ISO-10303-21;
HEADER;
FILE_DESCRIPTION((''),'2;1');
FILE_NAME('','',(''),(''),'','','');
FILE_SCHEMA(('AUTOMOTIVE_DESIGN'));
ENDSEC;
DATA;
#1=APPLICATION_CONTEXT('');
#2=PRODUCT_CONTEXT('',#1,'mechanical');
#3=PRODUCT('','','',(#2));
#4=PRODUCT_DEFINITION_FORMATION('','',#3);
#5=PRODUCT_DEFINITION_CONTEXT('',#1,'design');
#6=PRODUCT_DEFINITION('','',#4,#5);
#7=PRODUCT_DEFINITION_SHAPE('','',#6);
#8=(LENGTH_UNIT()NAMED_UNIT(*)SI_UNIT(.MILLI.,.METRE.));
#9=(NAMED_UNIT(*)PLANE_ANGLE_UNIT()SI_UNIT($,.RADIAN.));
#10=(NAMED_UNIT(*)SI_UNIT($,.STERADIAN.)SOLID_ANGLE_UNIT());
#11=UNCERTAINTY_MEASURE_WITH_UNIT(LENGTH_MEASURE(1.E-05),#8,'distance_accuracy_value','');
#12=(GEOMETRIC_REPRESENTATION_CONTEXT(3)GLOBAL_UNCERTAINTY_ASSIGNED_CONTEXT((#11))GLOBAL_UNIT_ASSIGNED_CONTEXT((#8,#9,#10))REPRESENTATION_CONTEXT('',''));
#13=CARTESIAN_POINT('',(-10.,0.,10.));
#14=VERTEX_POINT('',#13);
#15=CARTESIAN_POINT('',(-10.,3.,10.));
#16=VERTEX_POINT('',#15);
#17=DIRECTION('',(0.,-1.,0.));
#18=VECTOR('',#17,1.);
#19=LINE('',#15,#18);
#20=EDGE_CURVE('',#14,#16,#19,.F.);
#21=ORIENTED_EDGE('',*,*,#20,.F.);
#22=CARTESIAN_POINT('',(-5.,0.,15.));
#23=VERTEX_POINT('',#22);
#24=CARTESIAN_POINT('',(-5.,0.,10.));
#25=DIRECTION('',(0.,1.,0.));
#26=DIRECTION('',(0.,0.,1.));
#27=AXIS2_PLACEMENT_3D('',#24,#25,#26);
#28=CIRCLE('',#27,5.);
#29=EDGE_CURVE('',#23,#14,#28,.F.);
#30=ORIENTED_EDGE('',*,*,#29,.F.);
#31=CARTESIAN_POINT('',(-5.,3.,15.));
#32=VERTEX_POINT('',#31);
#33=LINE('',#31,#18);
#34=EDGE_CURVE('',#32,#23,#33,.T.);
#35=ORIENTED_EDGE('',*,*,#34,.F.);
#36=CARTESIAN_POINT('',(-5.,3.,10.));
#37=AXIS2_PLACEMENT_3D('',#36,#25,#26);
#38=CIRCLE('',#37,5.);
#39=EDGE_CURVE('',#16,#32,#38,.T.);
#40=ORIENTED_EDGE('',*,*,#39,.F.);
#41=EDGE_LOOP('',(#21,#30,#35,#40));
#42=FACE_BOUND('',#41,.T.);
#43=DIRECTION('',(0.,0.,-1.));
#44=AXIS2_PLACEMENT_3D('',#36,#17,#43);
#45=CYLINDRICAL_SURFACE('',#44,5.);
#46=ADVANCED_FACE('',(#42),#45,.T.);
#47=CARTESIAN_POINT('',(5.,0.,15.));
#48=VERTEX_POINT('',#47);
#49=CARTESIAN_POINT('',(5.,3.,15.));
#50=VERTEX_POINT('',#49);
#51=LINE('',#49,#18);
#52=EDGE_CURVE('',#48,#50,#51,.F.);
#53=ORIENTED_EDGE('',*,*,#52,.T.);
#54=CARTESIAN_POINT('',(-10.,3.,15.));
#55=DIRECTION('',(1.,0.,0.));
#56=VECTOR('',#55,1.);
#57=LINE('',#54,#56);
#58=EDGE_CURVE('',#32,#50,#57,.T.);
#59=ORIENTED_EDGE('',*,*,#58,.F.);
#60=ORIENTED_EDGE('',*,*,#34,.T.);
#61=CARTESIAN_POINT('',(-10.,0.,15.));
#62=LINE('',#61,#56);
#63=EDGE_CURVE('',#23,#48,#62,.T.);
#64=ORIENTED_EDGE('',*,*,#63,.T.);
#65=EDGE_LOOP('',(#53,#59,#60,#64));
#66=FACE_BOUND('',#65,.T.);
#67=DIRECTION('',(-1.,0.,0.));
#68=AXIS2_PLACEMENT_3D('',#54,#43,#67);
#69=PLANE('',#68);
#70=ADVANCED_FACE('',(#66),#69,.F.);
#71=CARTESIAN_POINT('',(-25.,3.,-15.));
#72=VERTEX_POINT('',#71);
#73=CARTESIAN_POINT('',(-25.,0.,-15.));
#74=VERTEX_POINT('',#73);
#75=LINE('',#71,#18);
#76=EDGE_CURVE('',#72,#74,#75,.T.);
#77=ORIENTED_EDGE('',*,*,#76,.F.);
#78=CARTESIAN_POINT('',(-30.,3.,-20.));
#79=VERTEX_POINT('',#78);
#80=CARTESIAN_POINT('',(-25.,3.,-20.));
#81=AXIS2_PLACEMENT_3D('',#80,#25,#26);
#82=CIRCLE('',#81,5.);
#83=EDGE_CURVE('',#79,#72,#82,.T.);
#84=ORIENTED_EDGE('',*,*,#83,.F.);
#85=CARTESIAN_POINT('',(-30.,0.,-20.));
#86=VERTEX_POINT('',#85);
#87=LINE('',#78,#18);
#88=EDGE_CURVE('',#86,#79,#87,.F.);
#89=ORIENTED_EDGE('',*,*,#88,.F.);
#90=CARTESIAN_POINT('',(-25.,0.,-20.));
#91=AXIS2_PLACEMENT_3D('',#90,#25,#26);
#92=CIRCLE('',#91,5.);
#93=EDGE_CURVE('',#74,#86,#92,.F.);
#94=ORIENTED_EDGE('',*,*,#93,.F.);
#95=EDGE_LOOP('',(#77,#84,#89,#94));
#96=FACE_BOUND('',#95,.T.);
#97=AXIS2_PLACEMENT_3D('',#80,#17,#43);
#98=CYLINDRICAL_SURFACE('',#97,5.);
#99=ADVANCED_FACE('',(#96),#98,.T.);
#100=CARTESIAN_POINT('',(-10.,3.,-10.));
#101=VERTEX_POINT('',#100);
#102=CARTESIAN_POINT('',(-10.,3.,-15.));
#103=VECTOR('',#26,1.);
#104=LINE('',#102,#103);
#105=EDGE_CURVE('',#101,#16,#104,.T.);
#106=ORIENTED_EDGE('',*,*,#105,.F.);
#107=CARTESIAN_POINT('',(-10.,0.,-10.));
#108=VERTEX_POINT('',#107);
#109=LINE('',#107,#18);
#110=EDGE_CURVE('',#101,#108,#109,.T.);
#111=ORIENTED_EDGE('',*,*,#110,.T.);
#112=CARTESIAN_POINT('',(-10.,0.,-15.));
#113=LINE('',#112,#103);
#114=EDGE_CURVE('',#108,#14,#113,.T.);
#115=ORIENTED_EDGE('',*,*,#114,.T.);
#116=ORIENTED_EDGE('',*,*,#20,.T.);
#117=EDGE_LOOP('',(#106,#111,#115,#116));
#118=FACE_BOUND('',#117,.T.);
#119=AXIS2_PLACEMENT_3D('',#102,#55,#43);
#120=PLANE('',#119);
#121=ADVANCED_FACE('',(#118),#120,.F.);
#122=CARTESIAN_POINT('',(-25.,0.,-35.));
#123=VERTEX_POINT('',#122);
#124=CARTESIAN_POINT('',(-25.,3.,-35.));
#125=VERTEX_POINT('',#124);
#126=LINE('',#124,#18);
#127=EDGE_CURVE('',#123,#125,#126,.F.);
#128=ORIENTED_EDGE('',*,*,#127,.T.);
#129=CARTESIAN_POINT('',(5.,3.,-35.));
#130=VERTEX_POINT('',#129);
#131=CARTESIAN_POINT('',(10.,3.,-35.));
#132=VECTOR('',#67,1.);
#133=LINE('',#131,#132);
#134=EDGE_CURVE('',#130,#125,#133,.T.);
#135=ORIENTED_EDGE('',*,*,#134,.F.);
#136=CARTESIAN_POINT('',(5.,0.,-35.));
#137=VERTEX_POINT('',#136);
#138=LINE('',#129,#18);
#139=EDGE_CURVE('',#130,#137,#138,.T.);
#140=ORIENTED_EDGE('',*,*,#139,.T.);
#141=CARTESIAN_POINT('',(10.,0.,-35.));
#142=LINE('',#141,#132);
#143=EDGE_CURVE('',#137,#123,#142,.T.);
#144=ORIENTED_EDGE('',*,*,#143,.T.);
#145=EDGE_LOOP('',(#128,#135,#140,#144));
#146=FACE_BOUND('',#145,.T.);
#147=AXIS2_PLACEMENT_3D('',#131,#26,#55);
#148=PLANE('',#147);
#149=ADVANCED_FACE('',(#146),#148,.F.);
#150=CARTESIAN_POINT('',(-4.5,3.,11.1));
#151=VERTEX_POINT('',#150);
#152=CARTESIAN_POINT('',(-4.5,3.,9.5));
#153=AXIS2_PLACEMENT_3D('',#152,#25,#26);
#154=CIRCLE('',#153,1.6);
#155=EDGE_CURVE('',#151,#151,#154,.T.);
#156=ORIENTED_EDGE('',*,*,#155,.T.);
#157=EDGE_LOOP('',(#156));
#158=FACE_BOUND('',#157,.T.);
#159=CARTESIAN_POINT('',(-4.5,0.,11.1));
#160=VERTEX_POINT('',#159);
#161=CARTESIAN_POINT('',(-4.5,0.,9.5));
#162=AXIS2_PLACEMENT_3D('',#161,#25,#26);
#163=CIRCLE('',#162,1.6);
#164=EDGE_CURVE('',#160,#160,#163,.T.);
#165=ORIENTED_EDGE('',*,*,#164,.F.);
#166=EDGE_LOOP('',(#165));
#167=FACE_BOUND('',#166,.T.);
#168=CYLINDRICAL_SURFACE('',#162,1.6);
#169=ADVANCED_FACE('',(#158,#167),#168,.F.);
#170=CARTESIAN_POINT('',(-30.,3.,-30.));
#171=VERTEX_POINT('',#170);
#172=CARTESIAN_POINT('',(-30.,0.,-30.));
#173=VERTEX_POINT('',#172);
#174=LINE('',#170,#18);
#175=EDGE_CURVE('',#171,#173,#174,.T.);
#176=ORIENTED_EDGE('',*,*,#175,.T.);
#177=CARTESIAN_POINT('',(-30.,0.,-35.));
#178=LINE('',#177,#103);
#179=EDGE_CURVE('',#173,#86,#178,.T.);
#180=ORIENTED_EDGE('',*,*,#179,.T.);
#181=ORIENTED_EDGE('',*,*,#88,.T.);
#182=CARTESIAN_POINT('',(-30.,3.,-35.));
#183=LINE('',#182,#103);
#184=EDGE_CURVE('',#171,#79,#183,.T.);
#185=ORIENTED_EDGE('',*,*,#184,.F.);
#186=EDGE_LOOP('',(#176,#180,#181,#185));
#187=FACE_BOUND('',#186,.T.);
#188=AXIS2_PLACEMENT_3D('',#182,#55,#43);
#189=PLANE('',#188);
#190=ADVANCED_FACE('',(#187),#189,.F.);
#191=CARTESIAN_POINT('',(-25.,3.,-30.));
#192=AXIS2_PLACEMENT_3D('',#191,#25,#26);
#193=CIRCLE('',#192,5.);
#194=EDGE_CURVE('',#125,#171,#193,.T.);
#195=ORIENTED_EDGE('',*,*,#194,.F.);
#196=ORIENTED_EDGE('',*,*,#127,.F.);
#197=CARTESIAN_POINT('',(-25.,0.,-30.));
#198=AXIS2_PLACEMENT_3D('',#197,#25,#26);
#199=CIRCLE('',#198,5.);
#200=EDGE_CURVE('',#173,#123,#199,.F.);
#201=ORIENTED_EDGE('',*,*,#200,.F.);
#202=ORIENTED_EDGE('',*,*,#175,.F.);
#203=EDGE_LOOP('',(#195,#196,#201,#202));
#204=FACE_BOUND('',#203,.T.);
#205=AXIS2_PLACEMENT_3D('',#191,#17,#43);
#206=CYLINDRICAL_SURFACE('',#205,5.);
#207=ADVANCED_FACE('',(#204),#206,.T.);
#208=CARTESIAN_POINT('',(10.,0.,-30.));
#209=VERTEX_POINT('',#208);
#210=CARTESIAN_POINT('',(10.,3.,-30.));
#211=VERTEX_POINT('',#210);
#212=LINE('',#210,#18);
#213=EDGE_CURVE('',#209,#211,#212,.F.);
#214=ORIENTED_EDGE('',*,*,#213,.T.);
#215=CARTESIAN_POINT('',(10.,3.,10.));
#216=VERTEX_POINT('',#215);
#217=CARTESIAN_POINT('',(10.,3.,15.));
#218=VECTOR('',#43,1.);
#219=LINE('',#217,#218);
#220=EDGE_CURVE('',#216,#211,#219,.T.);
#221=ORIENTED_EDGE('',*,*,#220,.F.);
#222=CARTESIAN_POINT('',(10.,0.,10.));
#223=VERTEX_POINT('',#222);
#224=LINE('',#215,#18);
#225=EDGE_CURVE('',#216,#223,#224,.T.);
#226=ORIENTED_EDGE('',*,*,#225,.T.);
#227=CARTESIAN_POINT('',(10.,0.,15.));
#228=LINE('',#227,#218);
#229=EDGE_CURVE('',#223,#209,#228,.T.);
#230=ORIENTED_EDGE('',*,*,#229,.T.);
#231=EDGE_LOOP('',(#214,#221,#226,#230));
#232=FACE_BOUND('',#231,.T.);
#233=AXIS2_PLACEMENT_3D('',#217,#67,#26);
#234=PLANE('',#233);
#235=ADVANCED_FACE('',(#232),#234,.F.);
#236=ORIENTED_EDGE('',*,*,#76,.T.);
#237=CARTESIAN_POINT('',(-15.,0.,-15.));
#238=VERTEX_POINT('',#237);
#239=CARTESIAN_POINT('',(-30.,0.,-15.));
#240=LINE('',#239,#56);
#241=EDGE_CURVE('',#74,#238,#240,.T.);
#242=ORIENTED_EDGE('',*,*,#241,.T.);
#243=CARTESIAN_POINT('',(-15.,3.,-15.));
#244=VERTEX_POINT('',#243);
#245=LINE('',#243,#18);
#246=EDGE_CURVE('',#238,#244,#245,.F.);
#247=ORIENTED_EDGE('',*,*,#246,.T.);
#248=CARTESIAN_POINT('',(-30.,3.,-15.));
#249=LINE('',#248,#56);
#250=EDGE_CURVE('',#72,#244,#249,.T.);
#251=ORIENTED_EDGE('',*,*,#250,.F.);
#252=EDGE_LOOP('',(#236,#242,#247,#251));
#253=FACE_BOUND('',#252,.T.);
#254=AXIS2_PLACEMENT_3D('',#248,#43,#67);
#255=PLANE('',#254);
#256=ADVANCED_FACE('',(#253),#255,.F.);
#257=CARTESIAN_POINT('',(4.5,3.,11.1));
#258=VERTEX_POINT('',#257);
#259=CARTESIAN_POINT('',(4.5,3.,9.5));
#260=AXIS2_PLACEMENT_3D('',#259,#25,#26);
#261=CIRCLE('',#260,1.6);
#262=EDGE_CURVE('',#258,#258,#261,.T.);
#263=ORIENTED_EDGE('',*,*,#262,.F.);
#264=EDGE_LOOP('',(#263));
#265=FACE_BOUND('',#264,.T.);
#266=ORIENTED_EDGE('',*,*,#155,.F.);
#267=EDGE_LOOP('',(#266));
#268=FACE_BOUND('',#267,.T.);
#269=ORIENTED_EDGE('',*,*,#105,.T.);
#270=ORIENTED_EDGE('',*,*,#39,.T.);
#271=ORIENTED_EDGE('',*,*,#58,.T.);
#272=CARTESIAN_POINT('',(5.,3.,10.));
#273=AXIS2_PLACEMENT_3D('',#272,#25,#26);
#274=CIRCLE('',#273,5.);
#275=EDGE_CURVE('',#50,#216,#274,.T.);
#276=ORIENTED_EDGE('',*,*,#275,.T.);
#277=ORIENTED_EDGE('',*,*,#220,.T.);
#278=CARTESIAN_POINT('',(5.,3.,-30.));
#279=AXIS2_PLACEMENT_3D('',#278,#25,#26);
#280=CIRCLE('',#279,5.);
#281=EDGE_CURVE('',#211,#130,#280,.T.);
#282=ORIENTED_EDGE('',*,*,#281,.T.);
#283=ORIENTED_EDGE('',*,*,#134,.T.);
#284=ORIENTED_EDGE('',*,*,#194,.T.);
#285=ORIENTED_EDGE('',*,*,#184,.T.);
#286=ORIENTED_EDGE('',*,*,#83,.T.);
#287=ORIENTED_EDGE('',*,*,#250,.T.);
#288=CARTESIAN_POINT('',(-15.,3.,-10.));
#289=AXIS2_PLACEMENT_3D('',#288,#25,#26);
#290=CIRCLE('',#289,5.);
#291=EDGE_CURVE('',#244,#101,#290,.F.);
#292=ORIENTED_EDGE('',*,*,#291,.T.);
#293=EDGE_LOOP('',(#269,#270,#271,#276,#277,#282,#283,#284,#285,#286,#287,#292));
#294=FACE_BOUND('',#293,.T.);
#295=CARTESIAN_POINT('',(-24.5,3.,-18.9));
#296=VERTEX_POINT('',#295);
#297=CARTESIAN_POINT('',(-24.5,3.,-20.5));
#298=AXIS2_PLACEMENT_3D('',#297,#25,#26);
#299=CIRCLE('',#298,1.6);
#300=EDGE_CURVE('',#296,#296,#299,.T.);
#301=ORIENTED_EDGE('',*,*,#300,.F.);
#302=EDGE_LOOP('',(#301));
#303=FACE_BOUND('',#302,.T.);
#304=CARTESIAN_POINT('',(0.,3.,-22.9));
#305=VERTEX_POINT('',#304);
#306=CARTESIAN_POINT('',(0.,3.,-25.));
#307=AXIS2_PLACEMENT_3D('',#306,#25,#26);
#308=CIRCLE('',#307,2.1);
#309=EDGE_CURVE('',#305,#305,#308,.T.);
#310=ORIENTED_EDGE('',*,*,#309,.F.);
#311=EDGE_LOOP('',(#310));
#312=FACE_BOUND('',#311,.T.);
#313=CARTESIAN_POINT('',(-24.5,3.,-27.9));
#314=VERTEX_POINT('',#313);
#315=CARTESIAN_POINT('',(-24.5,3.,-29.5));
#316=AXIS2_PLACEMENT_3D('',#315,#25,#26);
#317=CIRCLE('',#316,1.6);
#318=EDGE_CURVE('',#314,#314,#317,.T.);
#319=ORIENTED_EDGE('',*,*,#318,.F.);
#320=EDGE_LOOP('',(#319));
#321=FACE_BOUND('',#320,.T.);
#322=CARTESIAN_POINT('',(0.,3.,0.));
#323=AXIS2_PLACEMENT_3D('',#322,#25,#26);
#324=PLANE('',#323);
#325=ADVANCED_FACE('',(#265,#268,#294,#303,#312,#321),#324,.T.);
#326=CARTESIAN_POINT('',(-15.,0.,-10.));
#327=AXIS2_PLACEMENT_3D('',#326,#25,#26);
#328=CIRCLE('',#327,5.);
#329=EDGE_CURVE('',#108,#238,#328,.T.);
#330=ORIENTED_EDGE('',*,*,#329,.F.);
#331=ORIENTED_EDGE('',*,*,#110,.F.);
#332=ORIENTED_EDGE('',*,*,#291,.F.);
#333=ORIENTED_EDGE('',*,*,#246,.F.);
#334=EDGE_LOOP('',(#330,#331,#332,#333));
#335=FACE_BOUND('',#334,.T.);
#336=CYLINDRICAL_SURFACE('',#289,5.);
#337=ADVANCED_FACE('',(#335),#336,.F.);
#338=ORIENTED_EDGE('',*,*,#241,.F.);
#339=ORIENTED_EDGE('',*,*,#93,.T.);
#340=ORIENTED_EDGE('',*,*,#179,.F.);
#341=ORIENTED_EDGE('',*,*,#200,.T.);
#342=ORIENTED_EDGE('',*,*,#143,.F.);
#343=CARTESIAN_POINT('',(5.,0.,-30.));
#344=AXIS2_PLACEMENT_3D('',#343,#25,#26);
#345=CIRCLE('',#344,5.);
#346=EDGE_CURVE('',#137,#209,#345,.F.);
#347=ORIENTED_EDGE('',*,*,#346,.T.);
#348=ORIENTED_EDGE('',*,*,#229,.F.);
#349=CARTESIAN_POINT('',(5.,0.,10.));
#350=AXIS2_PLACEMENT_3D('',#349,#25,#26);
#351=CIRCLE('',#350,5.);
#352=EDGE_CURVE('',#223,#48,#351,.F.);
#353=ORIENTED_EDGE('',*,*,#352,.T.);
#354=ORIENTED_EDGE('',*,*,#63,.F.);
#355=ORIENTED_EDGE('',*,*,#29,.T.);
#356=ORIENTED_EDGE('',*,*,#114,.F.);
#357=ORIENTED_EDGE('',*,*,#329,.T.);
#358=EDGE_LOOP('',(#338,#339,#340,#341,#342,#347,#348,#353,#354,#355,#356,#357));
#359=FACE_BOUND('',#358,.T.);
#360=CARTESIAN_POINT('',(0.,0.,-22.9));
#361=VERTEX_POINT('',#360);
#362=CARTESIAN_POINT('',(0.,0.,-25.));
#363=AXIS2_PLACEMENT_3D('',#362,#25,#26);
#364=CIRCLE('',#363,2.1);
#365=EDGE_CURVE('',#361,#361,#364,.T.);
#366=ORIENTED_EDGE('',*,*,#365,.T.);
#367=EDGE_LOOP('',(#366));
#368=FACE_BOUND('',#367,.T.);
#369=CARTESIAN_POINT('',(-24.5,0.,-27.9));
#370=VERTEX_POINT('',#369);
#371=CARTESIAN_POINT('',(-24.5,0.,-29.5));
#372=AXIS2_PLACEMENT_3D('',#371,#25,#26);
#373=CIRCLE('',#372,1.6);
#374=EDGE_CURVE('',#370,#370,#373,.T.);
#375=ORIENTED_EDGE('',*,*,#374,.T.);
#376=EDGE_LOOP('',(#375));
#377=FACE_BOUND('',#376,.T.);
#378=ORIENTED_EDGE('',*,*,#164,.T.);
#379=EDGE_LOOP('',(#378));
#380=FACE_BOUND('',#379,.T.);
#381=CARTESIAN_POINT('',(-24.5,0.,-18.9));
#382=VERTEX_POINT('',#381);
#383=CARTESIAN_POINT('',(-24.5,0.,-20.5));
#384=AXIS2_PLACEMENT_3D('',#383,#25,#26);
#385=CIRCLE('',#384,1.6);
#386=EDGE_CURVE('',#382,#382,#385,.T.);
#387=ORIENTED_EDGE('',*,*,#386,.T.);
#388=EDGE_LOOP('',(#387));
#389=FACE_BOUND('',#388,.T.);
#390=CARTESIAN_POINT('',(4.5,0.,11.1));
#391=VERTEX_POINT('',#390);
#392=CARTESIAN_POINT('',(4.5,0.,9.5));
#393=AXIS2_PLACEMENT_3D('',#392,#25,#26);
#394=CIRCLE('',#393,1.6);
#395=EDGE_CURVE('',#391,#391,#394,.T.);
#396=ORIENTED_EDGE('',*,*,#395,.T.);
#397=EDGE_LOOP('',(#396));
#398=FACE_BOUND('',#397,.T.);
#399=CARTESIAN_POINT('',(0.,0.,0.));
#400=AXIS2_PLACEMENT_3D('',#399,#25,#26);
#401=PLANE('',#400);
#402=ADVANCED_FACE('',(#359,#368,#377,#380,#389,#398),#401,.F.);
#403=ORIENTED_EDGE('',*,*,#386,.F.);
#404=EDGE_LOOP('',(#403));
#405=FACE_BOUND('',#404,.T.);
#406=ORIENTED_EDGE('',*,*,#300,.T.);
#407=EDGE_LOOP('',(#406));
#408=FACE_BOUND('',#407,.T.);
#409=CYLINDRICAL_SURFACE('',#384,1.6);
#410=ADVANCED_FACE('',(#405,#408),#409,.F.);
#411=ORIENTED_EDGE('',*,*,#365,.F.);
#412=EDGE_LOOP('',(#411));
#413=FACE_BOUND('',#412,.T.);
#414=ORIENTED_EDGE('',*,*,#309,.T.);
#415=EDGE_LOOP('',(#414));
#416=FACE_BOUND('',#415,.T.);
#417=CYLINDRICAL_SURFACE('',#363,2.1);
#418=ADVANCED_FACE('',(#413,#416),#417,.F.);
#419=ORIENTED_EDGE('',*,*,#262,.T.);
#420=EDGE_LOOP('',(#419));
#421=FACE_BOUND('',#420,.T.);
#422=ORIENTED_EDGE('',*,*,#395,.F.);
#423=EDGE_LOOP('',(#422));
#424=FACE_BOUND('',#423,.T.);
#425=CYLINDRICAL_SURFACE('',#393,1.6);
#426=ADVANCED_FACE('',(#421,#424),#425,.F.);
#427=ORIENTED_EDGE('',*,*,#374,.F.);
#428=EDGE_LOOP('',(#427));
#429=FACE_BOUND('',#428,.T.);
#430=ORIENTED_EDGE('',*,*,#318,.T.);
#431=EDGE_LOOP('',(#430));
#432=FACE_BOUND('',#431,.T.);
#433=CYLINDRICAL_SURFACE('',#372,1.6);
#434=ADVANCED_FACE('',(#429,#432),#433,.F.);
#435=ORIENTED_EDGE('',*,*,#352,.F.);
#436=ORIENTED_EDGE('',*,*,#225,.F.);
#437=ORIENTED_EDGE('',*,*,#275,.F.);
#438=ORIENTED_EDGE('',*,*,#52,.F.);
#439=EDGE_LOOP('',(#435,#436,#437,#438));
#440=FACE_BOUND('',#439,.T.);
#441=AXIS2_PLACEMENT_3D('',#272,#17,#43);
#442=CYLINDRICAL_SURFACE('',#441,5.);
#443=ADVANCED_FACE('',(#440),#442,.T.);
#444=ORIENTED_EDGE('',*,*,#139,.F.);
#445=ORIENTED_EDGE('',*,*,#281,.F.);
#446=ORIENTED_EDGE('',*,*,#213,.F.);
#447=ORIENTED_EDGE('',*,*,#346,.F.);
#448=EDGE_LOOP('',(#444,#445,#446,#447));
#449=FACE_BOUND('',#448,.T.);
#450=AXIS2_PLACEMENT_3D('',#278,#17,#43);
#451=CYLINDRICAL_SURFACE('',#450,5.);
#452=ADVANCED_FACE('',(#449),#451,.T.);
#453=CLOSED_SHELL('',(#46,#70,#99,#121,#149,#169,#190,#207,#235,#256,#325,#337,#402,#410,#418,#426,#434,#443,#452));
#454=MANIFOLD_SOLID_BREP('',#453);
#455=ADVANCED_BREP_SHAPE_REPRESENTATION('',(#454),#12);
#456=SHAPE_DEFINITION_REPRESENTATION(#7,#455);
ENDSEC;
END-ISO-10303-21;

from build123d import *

# Parameters (mm, degrees)
EXTRUDE_1_DEPTH     = 3
SKETCH_2_R          = 1.6
CUT_EXTRUDE_1_DEPTH = 47.19523785
FILLET_1_R          = 5
SKETCH_3_R          = 2.1
CUT_EXTRUDE_2_DEPTH = 47.19523785


with BuildPart() as part:
    # 草图1 → 凸台-拉伸1 (new body)
    with BuildSketch(Plane(origin=(0, 0, 0), x_dir=(1, 0, 0), z_dir=(0, 1, 0))):
        Polygon((-30, 35), (-30, 15), (-10, 15), (-10, -15), (10, -15), (10, 35), align=None)
    extrude(amount=EXTRUDE_1_DEPTH)

    # 草图2 → 切除-拉伸1 (cut, through all)
    with BuildSketch(Plane(origin=(0, 3, 0), x_dir=(1, 0, 0), z_dir=(0, 1, 0))):
        with Locations(Location((-24.5, 29.5, 0), (0, 0, 270))):
            Circle(SKETCH_2_R)
        with Locations(Location((-24.5, 20.5, 0), (0, 0, 270))):
            Circle(SKETCH_2_R)
        with Locations(Location((-4.5, -9.5, 0), (0, 0, 270))):
            Circle(SKETCH_2_R)
        with Locations(Location((4.5, -9.5, 0), (0, 0, 270))):
            Circle(SKETCH_2_R)
    extrude(amount=-CUT_EXTRUDE_1_DEPTH, mode=Mode.SUBTRACT)

    # 圆角1
    fillet_1_edges = [part.edges().sort_by_distance(p)[0] for p in [
        (10, 1.5, 15),
        (-10, 1.5, 15),
        (-10, 1.5, -15),
        (-30, 1.5, -15),
        (-30, 1.5, -35),
        (10, 1.5, -35),
    ]]
    fillet(fillet_1_edges, radius=FILLET_1_R)

    # 草图3 → 切除-拉伸2 (cut, through all)
    with BuildSketch(Plane(origin=(0, 3, 0), x_dir=(1, 0, 0), z_dir=(0, 1, 0))):
        with Locations(Location((0, 25, 0), (0, 0, 270))):
            Circle(SKETCH_3_R)
    extrude(amount=-CUT_EXTRUDE_2_DEPTH, mode=Mode.SUBTRACT)


solid = part.part
